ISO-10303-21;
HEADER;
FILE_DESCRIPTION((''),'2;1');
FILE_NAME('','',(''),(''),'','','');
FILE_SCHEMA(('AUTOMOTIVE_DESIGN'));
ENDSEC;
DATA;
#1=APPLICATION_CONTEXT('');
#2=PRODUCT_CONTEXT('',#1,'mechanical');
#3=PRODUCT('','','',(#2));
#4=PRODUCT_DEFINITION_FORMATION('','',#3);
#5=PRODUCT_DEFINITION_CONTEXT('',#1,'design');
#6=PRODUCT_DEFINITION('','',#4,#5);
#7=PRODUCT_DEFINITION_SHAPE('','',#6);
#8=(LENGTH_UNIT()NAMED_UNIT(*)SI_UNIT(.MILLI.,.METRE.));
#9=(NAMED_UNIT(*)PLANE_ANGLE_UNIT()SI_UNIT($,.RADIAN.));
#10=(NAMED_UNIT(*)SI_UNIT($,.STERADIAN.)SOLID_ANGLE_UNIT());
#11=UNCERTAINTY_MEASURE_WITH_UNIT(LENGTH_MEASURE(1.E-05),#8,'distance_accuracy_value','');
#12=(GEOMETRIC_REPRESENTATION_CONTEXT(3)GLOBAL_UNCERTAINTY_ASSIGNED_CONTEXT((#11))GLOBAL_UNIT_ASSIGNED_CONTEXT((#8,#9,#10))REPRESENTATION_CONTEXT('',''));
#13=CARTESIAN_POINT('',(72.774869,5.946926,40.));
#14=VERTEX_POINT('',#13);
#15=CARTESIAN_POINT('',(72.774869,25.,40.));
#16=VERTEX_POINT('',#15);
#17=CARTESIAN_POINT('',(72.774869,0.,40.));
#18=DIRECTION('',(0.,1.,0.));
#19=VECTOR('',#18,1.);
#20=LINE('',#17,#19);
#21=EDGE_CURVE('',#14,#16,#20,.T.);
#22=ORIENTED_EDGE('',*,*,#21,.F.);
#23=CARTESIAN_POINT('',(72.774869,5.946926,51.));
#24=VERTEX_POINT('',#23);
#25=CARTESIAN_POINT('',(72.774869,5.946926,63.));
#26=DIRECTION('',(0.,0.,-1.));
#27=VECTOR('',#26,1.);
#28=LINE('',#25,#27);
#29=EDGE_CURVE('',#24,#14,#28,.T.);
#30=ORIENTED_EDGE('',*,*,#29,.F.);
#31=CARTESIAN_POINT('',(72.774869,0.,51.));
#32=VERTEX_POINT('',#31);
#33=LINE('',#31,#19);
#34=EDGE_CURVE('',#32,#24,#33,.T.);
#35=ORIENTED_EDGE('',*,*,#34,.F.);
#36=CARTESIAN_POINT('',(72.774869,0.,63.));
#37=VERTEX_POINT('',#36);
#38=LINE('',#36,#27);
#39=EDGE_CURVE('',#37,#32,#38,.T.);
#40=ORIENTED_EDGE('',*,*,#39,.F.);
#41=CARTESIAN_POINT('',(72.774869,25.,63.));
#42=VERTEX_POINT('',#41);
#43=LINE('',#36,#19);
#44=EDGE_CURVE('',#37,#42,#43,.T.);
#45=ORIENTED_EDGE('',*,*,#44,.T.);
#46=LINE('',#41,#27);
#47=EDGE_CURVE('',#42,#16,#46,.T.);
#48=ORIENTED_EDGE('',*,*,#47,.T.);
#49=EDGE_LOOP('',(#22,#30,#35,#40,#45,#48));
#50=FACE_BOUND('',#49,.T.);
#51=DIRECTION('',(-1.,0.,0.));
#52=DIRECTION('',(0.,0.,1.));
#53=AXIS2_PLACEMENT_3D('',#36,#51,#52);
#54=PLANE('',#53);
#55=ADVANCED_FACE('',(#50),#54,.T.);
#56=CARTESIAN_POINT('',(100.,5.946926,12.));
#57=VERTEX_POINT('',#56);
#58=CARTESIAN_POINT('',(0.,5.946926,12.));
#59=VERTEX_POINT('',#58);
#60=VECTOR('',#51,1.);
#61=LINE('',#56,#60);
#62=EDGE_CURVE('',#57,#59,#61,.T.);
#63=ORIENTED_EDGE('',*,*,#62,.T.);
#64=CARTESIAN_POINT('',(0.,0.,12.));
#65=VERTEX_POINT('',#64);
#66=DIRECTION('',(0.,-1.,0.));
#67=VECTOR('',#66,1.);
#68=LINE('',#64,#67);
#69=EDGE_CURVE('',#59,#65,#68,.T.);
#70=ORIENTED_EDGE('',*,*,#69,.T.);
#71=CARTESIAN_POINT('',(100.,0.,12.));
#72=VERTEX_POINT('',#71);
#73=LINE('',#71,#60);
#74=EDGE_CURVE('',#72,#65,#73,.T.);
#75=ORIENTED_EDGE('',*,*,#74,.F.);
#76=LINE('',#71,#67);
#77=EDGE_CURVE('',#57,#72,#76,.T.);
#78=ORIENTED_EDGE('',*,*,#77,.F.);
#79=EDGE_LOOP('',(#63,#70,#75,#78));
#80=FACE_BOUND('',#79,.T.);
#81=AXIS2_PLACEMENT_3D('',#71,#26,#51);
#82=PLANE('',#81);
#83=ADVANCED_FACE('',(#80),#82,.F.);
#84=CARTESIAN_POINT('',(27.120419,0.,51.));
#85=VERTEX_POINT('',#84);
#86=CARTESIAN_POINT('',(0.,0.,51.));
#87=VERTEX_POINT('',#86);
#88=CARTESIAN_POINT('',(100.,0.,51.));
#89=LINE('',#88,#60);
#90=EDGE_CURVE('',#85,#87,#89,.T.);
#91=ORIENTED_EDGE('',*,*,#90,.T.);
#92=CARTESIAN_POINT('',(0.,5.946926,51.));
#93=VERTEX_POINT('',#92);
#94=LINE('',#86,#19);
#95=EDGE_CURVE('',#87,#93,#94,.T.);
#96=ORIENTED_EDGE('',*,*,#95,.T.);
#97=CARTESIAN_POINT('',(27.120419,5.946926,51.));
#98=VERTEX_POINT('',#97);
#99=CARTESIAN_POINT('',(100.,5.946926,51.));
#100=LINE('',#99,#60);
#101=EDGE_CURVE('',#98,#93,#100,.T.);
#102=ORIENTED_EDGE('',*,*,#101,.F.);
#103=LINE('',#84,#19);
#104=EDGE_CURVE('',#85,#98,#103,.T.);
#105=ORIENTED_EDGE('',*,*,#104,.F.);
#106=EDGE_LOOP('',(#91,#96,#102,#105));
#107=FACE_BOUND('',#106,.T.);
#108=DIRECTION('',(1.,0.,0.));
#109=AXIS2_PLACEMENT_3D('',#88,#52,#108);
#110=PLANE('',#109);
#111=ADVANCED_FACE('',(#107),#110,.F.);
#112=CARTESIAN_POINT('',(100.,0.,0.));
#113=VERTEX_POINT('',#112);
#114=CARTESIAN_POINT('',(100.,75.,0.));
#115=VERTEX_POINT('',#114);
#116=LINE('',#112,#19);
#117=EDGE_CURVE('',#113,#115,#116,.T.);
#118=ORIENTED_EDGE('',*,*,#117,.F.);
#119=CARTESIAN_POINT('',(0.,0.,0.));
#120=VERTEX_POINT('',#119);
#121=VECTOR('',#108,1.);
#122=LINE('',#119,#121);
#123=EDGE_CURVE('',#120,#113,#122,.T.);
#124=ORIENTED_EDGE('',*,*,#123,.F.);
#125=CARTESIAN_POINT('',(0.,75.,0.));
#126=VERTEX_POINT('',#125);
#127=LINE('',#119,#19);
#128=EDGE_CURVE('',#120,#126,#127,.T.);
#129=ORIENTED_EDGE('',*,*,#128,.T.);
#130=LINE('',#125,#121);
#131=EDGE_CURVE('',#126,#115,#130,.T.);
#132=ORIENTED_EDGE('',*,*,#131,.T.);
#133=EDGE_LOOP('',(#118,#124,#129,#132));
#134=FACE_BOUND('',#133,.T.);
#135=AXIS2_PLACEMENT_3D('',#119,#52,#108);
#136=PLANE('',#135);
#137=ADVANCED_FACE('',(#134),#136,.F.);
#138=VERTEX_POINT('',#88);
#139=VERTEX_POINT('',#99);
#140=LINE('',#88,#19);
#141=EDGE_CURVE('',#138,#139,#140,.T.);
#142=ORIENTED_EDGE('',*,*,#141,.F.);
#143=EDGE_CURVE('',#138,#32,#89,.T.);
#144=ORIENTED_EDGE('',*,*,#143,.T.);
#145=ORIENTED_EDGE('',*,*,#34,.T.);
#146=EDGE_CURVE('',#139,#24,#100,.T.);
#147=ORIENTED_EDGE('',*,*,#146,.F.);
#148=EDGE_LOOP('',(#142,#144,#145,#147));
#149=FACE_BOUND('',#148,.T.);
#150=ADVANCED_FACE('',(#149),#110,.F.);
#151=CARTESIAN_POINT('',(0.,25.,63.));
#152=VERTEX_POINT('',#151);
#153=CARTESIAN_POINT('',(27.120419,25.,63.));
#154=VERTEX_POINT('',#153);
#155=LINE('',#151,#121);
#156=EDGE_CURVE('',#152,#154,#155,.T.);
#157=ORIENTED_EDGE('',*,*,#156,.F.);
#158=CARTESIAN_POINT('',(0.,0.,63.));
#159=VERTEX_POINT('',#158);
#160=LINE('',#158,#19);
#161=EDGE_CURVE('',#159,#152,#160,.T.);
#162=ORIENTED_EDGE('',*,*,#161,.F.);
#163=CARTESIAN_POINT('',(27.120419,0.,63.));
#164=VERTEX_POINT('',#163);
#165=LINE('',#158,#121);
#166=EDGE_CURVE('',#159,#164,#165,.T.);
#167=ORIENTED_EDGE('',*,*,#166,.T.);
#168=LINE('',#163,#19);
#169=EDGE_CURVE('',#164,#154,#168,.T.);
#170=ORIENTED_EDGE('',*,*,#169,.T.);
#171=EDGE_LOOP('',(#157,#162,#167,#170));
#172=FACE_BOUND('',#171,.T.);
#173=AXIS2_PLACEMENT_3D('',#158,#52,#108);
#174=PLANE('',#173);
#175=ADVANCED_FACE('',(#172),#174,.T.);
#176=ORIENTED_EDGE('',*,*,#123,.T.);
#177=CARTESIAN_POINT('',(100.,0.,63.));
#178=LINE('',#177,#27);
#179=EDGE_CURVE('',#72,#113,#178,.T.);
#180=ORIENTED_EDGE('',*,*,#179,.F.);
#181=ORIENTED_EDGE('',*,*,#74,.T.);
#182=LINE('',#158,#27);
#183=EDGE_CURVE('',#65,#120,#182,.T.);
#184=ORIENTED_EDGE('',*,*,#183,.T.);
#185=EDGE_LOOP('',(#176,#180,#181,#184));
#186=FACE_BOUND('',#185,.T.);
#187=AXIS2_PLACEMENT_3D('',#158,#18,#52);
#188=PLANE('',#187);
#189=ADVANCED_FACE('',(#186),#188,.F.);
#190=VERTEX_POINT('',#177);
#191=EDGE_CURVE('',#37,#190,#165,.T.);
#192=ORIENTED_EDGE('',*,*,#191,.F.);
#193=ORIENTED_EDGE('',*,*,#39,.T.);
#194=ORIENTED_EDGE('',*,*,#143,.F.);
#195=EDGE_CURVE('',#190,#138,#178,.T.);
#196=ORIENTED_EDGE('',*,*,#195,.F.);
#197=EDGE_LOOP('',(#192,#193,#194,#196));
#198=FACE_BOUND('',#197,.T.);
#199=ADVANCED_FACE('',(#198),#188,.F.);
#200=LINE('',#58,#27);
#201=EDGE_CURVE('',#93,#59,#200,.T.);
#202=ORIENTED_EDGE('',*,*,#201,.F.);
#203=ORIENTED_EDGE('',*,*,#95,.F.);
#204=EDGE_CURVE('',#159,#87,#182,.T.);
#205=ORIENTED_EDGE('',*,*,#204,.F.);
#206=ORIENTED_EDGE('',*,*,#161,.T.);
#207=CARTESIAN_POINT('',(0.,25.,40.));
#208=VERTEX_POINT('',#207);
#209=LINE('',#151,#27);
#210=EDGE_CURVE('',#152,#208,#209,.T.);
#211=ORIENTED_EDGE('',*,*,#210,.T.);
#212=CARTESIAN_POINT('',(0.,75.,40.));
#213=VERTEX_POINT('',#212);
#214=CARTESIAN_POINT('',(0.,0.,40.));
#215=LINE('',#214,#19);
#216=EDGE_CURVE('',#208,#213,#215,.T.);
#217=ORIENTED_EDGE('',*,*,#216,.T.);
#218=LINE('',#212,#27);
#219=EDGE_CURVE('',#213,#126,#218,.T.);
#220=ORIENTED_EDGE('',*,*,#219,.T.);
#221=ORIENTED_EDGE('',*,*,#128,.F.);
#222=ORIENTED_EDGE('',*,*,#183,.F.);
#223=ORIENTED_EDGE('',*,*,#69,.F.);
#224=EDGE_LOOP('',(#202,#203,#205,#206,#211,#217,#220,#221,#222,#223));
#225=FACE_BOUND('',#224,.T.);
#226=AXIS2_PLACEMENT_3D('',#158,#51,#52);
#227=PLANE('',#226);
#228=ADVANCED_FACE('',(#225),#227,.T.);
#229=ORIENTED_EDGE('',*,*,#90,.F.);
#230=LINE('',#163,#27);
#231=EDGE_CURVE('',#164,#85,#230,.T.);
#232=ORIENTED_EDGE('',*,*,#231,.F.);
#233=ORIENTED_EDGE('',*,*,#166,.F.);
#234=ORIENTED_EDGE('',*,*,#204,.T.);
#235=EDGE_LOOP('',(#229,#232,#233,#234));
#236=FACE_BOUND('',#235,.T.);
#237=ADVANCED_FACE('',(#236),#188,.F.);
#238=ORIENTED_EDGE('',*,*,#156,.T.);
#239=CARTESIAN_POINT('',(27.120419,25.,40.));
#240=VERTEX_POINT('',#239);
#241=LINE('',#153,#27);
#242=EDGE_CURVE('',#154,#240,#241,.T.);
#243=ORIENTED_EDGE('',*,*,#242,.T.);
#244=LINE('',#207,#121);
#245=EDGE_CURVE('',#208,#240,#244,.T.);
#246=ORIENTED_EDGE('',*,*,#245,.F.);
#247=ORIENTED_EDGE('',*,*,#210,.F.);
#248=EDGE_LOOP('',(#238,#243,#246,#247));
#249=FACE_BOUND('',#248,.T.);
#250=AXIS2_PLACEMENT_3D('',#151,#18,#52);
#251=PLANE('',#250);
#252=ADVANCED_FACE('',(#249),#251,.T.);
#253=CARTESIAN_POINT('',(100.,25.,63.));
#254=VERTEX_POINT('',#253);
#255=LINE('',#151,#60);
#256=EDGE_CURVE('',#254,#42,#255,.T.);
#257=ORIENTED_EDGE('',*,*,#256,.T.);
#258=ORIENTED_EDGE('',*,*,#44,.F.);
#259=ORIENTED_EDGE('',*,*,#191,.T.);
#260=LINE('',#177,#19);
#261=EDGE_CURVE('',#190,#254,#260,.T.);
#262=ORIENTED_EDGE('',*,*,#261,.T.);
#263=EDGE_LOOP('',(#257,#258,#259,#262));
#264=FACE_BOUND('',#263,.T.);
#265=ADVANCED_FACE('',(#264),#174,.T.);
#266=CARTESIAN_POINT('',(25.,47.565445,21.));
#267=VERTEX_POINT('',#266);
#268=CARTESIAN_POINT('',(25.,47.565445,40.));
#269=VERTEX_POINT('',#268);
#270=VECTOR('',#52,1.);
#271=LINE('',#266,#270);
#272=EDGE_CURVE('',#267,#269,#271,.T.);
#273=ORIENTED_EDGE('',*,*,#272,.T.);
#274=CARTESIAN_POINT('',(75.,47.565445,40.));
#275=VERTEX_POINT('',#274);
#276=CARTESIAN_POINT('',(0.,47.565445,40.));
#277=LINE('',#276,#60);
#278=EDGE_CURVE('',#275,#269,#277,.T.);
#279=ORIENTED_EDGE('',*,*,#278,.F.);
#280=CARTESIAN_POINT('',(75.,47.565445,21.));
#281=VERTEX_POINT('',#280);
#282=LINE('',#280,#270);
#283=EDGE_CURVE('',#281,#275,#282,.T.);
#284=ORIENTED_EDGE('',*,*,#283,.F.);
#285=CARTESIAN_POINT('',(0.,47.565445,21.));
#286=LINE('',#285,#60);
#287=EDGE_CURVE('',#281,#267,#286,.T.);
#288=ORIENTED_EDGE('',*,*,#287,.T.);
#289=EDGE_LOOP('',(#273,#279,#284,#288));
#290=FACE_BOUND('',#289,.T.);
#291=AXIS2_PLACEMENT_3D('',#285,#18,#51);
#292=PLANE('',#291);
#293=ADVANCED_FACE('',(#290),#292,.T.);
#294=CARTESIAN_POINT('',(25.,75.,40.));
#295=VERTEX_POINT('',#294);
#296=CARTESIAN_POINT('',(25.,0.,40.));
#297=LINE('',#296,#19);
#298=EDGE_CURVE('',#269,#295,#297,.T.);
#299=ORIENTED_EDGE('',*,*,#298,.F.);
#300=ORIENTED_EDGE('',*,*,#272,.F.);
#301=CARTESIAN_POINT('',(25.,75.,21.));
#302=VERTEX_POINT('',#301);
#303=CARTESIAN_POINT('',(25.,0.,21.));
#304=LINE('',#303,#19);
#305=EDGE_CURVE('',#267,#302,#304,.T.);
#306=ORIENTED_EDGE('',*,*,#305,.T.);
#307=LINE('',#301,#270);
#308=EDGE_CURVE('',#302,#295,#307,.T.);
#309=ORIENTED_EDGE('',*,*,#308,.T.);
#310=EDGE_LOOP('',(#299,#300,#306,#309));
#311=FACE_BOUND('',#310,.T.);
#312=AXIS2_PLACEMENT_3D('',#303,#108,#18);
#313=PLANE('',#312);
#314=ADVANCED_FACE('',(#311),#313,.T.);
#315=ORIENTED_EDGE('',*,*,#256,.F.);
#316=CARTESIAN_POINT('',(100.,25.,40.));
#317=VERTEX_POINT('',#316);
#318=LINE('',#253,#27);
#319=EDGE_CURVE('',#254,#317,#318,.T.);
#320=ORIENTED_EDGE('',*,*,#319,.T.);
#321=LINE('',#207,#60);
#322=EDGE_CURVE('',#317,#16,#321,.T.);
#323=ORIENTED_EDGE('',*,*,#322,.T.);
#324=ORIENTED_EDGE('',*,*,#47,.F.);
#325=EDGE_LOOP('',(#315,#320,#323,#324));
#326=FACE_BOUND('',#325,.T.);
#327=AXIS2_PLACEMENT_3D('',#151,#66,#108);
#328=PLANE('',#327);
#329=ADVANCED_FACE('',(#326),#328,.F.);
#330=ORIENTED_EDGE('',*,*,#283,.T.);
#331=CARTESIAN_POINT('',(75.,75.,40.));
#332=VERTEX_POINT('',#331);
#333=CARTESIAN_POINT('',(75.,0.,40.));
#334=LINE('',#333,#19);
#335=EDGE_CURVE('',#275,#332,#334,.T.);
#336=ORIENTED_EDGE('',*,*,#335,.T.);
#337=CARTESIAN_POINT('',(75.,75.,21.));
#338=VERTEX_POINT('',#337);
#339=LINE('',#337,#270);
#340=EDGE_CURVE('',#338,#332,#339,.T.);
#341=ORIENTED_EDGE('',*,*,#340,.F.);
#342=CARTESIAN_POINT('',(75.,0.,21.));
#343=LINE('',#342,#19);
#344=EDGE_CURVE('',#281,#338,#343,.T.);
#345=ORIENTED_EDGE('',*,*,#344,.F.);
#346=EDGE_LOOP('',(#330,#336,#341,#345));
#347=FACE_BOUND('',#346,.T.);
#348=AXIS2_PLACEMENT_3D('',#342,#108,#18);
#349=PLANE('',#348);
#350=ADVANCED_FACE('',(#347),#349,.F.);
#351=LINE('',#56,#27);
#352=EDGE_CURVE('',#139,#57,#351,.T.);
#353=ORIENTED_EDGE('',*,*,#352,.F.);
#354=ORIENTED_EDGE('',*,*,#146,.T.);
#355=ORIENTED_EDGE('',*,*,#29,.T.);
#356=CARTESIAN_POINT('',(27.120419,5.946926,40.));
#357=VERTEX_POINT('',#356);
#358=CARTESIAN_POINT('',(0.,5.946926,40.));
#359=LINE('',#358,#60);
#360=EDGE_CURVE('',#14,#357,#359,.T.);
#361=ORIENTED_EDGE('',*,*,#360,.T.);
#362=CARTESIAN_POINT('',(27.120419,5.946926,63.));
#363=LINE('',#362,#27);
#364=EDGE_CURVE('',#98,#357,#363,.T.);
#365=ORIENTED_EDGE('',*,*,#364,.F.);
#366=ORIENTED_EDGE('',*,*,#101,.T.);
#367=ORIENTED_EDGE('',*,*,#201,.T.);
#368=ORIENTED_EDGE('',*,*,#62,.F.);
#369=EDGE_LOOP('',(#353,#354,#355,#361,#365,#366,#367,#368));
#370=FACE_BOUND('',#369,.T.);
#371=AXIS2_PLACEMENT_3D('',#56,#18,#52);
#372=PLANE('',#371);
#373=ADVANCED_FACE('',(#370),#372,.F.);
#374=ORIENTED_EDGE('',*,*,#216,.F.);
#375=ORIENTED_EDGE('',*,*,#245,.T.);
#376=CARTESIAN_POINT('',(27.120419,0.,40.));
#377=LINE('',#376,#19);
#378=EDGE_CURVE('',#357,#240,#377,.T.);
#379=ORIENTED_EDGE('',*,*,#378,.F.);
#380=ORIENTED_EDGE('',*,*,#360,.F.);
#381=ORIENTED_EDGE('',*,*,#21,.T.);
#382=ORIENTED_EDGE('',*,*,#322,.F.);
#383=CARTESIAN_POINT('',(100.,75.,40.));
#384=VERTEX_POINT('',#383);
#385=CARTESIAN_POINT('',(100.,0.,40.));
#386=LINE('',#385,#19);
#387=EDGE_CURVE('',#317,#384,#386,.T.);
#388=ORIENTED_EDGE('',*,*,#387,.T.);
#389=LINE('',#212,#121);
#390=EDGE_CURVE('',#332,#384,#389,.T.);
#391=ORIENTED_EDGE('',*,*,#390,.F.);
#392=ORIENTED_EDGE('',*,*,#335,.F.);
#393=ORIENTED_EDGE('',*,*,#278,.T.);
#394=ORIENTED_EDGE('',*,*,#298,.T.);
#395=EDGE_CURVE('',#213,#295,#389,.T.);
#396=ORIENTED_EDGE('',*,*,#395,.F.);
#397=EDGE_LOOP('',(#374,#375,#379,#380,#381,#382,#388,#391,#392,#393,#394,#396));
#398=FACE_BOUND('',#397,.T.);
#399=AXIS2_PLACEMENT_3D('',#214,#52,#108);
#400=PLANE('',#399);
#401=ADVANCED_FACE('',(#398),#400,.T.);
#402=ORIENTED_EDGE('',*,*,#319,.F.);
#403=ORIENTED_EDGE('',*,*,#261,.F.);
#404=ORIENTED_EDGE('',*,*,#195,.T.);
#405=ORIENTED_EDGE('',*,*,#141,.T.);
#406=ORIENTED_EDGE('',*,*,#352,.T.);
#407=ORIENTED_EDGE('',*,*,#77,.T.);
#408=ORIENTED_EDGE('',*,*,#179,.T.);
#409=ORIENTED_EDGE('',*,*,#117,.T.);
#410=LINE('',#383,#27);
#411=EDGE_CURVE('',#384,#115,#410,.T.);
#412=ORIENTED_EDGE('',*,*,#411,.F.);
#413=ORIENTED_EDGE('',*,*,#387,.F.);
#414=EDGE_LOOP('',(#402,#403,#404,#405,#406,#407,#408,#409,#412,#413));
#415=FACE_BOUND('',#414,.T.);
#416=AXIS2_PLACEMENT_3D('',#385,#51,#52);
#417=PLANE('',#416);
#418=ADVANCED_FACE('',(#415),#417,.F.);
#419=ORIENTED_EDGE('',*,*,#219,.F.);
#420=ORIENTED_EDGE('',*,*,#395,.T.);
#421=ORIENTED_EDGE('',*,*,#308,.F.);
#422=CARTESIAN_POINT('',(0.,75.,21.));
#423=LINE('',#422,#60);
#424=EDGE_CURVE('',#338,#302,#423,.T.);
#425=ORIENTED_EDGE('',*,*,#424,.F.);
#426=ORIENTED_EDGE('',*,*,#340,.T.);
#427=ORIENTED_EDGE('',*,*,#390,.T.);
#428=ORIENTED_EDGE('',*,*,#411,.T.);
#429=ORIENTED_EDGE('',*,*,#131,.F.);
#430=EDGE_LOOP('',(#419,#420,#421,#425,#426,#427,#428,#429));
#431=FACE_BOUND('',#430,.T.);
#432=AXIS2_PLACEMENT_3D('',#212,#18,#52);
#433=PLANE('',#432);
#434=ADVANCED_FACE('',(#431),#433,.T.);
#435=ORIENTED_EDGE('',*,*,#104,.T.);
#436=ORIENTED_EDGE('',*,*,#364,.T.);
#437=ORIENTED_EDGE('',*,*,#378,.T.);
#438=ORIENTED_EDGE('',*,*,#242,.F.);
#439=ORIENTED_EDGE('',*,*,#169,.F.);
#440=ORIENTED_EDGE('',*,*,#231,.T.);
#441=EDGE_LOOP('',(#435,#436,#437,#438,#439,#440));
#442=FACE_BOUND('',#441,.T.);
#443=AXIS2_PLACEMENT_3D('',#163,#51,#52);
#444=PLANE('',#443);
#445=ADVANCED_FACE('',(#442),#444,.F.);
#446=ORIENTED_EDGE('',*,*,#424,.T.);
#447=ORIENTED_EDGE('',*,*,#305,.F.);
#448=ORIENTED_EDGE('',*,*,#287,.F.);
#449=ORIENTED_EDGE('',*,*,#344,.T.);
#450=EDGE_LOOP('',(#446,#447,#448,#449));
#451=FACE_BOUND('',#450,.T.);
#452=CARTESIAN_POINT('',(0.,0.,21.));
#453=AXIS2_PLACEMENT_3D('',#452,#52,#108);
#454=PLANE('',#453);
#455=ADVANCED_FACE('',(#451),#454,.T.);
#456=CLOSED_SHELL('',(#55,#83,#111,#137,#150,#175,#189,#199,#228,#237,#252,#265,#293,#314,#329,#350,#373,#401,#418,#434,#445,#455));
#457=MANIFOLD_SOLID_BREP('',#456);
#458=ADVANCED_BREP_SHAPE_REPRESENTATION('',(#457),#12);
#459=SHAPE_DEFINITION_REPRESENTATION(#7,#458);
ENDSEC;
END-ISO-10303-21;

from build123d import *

# Parameters (mm, degrees)
SKETCH1_W             = 27.120418848
SKETCH1_H             = 25
BOSS_EXTRUDE2_DEPTH   = 63
SKETCH1_W_2           = 27.22513089
BOSS_EXTRUDE2_2_DEPTH = 63
BOSS_EXTRUDE3_DEPTH   = 40
SKETCH1_6_W           = 50
SKETCH1_6_H           = 27.434554974
BOSS_EXTRUDE4_DEPTH   = 40
CUT_EXTRUDE1_START    = 40
SKETCH1_7_W           = 50
SKETCH1_7_H           = 27.434554974
CUT_EXTRUDE1_DEPTH    = 19
SKETCH2_W             = 39
SKETCH2_H             = 5.946926335
CUT_EXTRUDE2_DEPTH    = 140.978569788


with BuildPart() as part:
    # Sketch1 → Boss-Extrude2 (new body)
    with BuildSketch(Plane.XY):
        with Locations((13.560209424, 12.5)):
            Rectangle(SKETCH1_W, SKETCH1_H)
    extrude(amount=BOSS_EXTRUDE2_DEPTH)



with BuildPart() as body_2:
    # Sketch1 → Boss-Extrude2 2 (new body)
    with BuildSketch(Plane.XY):
        with Locations((86.387434555, 12.5)):
            Rectangle(SKETCH1_W_2, SKETCH1_H)
    extrude(amount=BOSS_EXTRUDE2_2_DEPTH)


with BuildPart() as part_1:
    add(part.part)

    add(body_2.part)  # Boss-Extrude3 merges body 2
    # Sketch1<5> → Boss-Extrude3 (add)
    with BuildSketch(Plane.XY):
        Polygon((27.120418848, 25), (27.120418848, 0), (72.77486911, 0), (72.77486911, 25), (100, 25), (100, 75), (75, 75), (75, 47.565445026), (25, 47.565445026), (25, 75), (0, 75), (0, 25), align=None)
    extrude(amount=BOSS_EXTRUDE3_DEPTH)

    # Sketch1<6> → Boss-Extrude4 (add)
    with BuildSketch(Plane.XY):
        with Locations((50, 61.282722513)):
            Rectangle(SKETCH1_6_W, SKETCH1_6_H)
    extrude(amount=BOSS_EXTRUDE4_DEPTH)

    # Sketch1<7> → Cut-Extrude1 (cut)
    with BuildSketch(Plane.XY.offset(CUT_EXTRUDE1_START)):
        with Locations((50, 61.282722513)):
            Rectangle(SKETCH1_7_W, SKETCH1_7_H)
    extrude(amount=-CUT_EXTRUDE1_DEPTH, mode=Mode.SUBTRACT)

    # Sketch2 → Cut-Extrude2 (cut, through all)
    with BuildSketch(Plane.ZY):
        with Locations((31.5, 2.973463168)):
            Rectangle(SKETCH2_W, SKETCH2_H)
    extrude(amount=-CUT_EXTRUDE2_DEPTH, mode=Mode.SUBTRACT)


solid = part_1.part
